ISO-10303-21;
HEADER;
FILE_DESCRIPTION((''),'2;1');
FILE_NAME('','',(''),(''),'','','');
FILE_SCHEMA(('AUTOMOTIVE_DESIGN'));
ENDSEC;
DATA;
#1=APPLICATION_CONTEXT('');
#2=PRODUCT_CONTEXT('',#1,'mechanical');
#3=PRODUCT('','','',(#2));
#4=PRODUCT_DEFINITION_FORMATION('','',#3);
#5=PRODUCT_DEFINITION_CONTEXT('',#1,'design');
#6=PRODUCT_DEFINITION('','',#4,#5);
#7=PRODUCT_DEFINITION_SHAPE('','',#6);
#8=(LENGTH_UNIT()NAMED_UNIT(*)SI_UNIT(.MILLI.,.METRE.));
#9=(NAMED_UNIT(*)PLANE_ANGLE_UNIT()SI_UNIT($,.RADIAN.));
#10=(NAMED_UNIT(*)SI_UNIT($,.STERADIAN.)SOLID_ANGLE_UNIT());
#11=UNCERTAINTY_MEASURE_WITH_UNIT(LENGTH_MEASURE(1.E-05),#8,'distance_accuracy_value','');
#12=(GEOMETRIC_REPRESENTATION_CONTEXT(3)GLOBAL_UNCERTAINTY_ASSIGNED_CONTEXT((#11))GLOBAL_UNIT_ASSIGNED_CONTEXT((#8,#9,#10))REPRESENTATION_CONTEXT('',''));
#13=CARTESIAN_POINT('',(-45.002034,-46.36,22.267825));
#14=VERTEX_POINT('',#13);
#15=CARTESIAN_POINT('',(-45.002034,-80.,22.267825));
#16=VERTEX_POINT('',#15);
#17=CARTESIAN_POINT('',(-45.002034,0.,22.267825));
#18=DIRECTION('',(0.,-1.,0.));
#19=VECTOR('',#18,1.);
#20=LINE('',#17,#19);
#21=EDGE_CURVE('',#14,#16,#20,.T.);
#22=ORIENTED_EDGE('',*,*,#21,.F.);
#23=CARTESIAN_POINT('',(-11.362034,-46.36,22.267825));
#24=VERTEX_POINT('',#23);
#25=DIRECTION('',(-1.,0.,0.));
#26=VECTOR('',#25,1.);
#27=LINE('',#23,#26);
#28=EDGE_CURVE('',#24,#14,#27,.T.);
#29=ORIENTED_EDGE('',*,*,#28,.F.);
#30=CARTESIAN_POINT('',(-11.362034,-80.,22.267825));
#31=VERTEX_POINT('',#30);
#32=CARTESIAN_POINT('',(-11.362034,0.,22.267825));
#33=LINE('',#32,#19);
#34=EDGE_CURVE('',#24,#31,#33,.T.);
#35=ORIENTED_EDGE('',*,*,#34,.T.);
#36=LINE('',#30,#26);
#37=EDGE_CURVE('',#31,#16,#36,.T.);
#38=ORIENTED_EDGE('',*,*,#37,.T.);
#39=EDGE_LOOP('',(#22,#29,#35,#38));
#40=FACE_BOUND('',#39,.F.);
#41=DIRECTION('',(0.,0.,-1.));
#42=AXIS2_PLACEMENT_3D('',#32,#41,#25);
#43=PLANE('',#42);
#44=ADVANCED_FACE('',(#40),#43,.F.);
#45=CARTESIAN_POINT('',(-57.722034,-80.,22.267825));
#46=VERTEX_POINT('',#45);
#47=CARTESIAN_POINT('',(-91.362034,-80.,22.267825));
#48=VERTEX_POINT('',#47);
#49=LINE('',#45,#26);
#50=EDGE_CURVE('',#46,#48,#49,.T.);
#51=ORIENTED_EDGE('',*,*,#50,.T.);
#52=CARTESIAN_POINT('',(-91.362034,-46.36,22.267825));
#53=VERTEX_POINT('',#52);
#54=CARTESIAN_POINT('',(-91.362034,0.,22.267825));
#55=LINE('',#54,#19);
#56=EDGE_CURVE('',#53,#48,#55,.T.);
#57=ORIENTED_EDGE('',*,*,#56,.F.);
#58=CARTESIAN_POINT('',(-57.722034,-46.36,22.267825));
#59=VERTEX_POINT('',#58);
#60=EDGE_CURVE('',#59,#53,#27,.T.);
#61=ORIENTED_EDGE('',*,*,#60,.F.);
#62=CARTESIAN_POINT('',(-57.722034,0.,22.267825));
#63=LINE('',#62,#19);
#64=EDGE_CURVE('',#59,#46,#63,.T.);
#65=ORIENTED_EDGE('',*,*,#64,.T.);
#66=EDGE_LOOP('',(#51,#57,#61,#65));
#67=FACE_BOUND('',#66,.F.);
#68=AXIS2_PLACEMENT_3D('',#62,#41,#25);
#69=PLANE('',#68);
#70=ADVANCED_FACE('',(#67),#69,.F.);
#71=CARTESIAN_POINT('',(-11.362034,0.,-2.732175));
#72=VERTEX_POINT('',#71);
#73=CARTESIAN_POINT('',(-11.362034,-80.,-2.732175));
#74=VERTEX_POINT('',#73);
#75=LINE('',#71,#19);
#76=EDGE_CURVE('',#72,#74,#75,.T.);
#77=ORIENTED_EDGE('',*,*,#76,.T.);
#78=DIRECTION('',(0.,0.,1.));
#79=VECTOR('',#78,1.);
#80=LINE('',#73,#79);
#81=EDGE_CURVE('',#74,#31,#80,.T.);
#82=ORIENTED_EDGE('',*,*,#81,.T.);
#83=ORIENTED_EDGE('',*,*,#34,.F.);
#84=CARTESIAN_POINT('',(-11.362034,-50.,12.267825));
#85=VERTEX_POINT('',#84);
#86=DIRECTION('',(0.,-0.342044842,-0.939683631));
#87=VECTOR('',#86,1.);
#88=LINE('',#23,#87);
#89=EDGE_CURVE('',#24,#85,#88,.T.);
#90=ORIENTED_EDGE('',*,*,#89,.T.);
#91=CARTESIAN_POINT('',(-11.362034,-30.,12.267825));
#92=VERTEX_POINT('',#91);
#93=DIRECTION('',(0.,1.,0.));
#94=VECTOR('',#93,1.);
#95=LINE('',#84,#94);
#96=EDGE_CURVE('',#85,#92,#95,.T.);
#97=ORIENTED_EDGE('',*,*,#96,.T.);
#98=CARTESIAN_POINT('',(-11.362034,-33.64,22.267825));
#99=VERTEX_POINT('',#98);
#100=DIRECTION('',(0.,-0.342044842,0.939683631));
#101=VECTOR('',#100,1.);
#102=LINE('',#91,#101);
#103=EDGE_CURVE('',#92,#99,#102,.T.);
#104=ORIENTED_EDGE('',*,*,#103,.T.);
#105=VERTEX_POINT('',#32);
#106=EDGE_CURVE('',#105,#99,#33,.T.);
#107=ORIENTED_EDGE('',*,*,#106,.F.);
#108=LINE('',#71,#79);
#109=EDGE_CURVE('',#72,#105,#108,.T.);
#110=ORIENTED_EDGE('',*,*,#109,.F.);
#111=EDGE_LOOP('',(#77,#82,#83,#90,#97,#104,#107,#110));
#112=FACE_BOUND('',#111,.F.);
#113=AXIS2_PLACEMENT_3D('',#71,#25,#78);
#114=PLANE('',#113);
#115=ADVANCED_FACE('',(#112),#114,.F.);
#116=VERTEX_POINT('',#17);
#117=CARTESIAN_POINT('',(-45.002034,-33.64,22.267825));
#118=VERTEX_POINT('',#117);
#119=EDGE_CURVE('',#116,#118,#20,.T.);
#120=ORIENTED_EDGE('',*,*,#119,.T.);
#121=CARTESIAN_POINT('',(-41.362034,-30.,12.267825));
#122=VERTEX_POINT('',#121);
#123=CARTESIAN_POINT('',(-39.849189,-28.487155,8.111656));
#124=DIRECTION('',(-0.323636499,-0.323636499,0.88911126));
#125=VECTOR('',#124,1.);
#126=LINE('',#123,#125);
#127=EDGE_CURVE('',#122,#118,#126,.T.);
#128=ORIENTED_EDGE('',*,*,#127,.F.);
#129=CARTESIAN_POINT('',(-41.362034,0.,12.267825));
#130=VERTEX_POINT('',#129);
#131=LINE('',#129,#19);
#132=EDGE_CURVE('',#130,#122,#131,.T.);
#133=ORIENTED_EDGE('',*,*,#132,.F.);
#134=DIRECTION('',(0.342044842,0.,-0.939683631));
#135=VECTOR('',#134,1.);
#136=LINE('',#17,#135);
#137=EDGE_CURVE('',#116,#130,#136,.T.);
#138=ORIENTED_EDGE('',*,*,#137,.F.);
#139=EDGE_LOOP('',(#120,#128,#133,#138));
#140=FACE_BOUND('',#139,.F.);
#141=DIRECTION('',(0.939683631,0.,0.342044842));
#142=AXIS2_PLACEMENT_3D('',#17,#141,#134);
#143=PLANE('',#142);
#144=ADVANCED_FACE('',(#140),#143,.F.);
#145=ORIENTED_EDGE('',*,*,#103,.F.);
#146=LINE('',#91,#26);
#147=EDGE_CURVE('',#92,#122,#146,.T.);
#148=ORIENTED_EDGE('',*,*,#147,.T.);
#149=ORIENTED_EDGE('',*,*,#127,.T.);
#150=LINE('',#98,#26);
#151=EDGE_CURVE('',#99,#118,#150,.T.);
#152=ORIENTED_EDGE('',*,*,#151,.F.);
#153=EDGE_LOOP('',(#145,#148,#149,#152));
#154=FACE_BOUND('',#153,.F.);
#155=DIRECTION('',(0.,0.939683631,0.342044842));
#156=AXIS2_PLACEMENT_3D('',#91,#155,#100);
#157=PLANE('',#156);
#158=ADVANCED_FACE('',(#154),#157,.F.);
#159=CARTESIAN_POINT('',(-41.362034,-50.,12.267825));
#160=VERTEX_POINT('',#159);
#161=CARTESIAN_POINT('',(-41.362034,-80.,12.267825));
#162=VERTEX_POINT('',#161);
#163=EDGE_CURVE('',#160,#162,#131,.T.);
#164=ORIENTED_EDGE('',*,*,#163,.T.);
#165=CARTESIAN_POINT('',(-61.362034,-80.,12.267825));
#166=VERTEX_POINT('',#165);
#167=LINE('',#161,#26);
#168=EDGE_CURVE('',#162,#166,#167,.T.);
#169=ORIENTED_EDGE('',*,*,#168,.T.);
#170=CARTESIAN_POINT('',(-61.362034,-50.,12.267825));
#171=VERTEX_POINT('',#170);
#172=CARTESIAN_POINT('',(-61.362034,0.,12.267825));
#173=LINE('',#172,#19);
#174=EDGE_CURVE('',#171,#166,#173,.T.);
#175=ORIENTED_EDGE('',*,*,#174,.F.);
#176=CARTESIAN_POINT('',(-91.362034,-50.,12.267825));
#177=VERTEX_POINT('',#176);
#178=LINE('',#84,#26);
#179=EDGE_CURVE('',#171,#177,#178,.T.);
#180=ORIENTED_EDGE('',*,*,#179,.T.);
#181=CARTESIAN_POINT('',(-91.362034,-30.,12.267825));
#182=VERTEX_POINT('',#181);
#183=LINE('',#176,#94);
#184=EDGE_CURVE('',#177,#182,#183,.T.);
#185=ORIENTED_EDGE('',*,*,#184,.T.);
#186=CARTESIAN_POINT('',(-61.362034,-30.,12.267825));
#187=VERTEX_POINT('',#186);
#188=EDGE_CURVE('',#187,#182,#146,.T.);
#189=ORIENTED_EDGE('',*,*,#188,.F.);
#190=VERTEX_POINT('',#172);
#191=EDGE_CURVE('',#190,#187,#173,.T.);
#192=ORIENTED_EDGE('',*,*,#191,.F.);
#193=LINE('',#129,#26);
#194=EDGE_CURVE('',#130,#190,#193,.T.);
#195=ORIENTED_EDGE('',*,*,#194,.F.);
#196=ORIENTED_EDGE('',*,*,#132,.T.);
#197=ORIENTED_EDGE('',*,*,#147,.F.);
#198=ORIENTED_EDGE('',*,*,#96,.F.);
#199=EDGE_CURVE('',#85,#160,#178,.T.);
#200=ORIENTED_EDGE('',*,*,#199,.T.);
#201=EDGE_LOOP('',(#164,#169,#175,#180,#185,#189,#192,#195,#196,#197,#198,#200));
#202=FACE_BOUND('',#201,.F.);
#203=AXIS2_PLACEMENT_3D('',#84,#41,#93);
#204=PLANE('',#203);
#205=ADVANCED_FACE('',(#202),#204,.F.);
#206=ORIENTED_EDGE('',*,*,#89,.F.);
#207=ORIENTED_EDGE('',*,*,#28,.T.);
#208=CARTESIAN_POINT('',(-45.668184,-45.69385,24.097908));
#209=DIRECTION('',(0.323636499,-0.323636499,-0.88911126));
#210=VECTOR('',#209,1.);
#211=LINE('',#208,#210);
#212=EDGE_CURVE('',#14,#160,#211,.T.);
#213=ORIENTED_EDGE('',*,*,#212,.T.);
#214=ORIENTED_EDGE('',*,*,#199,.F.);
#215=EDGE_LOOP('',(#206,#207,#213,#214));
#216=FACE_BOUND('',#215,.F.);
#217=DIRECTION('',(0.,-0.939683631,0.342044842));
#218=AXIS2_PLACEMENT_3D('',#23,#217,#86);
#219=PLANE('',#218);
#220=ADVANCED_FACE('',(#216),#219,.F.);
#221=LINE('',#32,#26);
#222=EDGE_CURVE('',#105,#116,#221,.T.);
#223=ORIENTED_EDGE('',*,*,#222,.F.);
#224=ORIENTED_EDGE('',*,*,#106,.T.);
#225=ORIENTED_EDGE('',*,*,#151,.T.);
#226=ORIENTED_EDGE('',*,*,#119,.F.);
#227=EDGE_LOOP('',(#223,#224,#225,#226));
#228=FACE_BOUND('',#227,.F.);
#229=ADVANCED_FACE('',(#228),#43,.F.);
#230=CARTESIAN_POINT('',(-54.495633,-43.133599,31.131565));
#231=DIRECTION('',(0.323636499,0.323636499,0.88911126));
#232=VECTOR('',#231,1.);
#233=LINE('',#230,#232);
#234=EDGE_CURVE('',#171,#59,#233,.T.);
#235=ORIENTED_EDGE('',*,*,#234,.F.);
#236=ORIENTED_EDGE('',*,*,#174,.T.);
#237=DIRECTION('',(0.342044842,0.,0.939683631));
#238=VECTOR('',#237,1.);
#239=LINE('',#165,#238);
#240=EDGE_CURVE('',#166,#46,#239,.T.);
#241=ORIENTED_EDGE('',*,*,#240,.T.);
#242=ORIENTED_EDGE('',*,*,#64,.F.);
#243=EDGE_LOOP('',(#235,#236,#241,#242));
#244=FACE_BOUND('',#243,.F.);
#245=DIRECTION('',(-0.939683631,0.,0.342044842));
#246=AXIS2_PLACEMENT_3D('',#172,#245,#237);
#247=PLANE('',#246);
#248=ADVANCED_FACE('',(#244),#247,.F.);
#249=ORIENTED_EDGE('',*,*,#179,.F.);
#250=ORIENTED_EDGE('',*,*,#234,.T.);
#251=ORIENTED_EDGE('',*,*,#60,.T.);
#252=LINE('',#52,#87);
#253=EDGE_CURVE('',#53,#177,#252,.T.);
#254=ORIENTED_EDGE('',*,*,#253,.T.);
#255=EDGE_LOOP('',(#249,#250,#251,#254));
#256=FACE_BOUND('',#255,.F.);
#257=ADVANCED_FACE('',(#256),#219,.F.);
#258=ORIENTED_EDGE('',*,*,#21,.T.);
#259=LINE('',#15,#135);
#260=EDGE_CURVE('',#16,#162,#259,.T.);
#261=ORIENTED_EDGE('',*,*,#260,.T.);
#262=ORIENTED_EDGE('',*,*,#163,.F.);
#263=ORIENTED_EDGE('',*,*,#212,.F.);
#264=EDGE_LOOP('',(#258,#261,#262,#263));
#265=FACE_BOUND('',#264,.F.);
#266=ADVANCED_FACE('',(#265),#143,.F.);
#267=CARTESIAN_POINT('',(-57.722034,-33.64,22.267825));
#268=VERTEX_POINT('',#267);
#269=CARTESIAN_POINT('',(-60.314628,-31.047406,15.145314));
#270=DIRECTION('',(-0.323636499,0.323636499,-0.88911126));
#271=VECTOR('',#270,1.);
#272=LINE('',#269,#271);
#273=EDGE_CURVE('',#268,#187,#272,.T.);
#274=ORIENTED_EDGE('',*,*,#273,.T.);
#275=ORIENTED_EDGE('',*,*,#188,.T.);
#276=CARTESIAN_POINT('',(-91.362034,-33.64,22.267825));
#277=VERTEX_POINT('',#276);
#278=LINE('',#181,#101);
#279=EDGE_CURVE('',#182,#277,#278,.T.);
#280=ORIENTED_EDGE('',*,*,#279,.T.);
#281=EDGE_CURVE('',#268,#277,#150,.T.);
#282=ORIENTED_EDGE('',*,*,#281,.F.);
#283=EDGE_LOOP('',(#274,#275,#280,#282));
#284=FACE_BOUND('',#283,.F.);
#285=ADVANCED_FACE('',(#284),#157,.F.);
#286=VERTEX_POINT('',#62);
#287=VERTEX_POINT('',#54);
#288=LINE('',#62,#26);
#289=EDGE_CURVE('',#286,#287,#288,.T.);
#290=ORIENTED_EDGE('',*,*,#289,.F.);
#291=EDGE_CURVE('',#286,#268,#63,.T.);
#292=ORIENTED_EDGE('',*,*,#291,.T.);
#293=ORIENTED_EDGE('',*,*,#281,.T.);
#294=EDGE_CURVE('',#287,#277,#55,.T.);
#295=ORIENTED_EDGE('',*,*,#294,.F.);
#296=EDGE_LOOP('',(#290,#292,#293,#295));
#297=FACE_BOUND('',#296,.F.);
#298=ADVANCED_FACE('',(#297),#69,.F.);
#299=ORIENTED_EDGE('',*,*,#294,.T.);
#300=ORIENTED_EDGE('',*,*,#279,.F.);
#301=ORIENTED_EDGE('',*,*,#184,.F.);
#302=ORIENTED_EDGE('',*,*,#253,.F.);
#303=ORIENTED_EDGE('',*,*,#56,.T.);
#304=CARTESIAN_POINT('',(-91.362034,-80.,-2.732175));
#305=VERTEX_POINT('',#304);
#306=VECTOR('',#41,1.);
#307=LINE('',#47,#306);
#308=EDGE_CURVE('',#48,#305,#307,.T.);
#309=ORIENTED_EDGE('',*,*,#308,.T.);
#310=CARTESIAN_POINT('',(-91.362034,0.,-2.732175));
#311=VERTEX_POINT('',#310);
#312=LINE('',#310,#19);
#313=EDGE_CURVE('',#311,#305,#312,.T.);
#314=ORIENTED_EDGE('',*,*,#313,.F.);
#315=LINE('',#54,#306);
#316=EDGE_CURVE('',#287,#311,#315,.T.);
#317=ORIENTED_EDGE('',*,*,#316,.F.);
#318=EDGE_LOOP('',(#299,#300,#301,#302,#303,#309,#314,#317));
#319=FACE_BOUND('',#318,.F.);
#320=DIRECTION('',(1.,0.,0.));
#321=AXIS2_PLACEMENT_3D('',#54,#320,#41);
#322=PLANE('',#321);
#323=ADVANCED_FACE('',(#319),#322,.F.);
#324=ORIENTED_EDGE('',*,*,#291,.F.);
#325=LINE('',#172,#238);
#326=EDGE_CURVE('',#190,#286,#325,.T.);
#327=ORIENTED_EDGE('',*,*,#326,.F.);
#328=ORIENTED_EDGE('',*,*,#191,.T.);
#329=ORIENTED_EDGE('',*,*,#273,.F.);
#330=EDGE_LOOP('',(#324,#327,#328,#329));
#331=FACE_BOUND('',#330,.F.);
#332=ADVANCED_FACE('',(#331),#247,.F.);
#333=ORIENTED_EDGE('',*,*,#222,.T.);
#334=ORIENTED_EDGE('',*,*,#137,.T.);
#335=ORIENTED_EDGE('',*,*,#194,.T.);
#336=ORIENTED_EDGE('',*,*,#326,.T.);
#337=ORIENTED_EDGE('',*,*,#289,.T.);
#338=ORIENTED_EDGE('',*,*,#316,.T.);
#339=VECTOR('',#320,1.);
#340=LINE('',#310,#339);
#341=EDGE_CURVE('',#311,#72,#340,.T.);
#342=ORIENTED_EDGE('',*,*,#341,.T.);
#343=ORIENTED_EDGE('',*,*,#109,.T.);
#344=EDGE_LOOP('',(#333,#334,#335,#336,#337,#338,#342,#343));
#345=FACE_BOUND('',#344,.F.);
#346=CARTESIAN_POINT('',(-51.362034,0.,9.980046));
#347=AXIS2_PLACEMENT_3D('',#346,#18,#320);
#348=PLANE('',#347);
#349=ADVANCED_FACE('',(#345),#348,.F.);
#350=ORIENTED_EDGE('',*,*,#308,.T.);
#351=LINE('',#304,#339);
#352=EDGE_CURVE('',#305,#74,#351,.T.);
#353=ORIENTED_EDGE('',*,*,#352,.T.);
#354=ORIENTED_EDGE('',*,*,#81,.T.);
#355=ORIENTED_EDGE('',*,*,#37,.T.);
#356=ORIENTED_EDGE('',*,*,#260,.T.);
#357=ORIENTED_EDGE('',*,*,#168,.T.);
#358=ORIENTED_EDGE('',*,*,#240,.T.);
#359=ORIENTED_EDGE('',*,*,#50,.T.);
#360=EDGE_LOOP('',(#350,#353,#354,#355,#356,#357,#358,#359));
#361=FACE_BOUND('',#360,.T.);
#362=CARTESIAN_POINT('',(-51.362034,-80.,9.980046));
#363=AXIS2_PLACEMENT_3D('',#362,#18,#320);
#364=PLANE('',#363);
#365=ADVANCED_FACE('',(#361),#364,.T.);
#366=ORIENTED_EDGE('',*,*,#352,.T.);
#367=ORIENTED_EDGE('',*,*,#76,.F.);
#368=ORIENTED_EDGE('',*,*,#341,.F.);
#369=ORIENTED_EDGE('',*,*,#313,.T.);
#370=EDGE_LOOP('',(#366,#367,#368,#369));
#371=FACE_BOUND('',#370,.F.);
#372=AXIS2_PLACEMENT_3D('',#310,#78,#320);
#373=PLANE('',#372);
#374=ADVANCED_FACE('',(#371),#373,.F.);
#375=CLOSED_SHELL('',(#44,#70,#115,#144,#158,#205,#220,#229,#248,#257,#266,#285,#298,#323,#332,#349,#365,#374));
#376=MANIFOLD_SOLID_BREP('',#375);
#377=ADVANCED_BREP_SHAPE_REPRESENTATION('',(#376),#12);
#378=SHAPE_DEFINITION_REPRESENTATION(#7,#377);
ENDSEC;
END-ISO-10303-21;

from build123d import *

# Parameters (mm, degrees)
F1_DEPTH = 80
F3_DEPTH = 80


with BuildPart() as f1:
    # F0 (on Front) → F1 (new body)
    with BuildSketch(Plane.XZ):
        Polygon((-91.362034, -2.732175), (-11.362034, -2.732175), (-11.362034, 22.267825), (-45.002034, 22.267825), (-41.362034, 12.267825), (-61.362034, 12.267825), (-57.722034, 22.267825), (-91.362034, 22.267825), align=None)
    extrude(amount=F1_DEPTH)

    # F2 (on face) → F3 (cut)
    with BuildSketch(Plane.YZ.offset(-11.362034)):
        Polygon((-46.36, 22.267825), (-50, 12.267825), (-30, 12.267825), (-33.64, 22.267825), (-40, 22.267825), align=None)
    extrude(amount=-F3_DEPTH, mode=Mode.SUBTRACT)


solid = f1.part
